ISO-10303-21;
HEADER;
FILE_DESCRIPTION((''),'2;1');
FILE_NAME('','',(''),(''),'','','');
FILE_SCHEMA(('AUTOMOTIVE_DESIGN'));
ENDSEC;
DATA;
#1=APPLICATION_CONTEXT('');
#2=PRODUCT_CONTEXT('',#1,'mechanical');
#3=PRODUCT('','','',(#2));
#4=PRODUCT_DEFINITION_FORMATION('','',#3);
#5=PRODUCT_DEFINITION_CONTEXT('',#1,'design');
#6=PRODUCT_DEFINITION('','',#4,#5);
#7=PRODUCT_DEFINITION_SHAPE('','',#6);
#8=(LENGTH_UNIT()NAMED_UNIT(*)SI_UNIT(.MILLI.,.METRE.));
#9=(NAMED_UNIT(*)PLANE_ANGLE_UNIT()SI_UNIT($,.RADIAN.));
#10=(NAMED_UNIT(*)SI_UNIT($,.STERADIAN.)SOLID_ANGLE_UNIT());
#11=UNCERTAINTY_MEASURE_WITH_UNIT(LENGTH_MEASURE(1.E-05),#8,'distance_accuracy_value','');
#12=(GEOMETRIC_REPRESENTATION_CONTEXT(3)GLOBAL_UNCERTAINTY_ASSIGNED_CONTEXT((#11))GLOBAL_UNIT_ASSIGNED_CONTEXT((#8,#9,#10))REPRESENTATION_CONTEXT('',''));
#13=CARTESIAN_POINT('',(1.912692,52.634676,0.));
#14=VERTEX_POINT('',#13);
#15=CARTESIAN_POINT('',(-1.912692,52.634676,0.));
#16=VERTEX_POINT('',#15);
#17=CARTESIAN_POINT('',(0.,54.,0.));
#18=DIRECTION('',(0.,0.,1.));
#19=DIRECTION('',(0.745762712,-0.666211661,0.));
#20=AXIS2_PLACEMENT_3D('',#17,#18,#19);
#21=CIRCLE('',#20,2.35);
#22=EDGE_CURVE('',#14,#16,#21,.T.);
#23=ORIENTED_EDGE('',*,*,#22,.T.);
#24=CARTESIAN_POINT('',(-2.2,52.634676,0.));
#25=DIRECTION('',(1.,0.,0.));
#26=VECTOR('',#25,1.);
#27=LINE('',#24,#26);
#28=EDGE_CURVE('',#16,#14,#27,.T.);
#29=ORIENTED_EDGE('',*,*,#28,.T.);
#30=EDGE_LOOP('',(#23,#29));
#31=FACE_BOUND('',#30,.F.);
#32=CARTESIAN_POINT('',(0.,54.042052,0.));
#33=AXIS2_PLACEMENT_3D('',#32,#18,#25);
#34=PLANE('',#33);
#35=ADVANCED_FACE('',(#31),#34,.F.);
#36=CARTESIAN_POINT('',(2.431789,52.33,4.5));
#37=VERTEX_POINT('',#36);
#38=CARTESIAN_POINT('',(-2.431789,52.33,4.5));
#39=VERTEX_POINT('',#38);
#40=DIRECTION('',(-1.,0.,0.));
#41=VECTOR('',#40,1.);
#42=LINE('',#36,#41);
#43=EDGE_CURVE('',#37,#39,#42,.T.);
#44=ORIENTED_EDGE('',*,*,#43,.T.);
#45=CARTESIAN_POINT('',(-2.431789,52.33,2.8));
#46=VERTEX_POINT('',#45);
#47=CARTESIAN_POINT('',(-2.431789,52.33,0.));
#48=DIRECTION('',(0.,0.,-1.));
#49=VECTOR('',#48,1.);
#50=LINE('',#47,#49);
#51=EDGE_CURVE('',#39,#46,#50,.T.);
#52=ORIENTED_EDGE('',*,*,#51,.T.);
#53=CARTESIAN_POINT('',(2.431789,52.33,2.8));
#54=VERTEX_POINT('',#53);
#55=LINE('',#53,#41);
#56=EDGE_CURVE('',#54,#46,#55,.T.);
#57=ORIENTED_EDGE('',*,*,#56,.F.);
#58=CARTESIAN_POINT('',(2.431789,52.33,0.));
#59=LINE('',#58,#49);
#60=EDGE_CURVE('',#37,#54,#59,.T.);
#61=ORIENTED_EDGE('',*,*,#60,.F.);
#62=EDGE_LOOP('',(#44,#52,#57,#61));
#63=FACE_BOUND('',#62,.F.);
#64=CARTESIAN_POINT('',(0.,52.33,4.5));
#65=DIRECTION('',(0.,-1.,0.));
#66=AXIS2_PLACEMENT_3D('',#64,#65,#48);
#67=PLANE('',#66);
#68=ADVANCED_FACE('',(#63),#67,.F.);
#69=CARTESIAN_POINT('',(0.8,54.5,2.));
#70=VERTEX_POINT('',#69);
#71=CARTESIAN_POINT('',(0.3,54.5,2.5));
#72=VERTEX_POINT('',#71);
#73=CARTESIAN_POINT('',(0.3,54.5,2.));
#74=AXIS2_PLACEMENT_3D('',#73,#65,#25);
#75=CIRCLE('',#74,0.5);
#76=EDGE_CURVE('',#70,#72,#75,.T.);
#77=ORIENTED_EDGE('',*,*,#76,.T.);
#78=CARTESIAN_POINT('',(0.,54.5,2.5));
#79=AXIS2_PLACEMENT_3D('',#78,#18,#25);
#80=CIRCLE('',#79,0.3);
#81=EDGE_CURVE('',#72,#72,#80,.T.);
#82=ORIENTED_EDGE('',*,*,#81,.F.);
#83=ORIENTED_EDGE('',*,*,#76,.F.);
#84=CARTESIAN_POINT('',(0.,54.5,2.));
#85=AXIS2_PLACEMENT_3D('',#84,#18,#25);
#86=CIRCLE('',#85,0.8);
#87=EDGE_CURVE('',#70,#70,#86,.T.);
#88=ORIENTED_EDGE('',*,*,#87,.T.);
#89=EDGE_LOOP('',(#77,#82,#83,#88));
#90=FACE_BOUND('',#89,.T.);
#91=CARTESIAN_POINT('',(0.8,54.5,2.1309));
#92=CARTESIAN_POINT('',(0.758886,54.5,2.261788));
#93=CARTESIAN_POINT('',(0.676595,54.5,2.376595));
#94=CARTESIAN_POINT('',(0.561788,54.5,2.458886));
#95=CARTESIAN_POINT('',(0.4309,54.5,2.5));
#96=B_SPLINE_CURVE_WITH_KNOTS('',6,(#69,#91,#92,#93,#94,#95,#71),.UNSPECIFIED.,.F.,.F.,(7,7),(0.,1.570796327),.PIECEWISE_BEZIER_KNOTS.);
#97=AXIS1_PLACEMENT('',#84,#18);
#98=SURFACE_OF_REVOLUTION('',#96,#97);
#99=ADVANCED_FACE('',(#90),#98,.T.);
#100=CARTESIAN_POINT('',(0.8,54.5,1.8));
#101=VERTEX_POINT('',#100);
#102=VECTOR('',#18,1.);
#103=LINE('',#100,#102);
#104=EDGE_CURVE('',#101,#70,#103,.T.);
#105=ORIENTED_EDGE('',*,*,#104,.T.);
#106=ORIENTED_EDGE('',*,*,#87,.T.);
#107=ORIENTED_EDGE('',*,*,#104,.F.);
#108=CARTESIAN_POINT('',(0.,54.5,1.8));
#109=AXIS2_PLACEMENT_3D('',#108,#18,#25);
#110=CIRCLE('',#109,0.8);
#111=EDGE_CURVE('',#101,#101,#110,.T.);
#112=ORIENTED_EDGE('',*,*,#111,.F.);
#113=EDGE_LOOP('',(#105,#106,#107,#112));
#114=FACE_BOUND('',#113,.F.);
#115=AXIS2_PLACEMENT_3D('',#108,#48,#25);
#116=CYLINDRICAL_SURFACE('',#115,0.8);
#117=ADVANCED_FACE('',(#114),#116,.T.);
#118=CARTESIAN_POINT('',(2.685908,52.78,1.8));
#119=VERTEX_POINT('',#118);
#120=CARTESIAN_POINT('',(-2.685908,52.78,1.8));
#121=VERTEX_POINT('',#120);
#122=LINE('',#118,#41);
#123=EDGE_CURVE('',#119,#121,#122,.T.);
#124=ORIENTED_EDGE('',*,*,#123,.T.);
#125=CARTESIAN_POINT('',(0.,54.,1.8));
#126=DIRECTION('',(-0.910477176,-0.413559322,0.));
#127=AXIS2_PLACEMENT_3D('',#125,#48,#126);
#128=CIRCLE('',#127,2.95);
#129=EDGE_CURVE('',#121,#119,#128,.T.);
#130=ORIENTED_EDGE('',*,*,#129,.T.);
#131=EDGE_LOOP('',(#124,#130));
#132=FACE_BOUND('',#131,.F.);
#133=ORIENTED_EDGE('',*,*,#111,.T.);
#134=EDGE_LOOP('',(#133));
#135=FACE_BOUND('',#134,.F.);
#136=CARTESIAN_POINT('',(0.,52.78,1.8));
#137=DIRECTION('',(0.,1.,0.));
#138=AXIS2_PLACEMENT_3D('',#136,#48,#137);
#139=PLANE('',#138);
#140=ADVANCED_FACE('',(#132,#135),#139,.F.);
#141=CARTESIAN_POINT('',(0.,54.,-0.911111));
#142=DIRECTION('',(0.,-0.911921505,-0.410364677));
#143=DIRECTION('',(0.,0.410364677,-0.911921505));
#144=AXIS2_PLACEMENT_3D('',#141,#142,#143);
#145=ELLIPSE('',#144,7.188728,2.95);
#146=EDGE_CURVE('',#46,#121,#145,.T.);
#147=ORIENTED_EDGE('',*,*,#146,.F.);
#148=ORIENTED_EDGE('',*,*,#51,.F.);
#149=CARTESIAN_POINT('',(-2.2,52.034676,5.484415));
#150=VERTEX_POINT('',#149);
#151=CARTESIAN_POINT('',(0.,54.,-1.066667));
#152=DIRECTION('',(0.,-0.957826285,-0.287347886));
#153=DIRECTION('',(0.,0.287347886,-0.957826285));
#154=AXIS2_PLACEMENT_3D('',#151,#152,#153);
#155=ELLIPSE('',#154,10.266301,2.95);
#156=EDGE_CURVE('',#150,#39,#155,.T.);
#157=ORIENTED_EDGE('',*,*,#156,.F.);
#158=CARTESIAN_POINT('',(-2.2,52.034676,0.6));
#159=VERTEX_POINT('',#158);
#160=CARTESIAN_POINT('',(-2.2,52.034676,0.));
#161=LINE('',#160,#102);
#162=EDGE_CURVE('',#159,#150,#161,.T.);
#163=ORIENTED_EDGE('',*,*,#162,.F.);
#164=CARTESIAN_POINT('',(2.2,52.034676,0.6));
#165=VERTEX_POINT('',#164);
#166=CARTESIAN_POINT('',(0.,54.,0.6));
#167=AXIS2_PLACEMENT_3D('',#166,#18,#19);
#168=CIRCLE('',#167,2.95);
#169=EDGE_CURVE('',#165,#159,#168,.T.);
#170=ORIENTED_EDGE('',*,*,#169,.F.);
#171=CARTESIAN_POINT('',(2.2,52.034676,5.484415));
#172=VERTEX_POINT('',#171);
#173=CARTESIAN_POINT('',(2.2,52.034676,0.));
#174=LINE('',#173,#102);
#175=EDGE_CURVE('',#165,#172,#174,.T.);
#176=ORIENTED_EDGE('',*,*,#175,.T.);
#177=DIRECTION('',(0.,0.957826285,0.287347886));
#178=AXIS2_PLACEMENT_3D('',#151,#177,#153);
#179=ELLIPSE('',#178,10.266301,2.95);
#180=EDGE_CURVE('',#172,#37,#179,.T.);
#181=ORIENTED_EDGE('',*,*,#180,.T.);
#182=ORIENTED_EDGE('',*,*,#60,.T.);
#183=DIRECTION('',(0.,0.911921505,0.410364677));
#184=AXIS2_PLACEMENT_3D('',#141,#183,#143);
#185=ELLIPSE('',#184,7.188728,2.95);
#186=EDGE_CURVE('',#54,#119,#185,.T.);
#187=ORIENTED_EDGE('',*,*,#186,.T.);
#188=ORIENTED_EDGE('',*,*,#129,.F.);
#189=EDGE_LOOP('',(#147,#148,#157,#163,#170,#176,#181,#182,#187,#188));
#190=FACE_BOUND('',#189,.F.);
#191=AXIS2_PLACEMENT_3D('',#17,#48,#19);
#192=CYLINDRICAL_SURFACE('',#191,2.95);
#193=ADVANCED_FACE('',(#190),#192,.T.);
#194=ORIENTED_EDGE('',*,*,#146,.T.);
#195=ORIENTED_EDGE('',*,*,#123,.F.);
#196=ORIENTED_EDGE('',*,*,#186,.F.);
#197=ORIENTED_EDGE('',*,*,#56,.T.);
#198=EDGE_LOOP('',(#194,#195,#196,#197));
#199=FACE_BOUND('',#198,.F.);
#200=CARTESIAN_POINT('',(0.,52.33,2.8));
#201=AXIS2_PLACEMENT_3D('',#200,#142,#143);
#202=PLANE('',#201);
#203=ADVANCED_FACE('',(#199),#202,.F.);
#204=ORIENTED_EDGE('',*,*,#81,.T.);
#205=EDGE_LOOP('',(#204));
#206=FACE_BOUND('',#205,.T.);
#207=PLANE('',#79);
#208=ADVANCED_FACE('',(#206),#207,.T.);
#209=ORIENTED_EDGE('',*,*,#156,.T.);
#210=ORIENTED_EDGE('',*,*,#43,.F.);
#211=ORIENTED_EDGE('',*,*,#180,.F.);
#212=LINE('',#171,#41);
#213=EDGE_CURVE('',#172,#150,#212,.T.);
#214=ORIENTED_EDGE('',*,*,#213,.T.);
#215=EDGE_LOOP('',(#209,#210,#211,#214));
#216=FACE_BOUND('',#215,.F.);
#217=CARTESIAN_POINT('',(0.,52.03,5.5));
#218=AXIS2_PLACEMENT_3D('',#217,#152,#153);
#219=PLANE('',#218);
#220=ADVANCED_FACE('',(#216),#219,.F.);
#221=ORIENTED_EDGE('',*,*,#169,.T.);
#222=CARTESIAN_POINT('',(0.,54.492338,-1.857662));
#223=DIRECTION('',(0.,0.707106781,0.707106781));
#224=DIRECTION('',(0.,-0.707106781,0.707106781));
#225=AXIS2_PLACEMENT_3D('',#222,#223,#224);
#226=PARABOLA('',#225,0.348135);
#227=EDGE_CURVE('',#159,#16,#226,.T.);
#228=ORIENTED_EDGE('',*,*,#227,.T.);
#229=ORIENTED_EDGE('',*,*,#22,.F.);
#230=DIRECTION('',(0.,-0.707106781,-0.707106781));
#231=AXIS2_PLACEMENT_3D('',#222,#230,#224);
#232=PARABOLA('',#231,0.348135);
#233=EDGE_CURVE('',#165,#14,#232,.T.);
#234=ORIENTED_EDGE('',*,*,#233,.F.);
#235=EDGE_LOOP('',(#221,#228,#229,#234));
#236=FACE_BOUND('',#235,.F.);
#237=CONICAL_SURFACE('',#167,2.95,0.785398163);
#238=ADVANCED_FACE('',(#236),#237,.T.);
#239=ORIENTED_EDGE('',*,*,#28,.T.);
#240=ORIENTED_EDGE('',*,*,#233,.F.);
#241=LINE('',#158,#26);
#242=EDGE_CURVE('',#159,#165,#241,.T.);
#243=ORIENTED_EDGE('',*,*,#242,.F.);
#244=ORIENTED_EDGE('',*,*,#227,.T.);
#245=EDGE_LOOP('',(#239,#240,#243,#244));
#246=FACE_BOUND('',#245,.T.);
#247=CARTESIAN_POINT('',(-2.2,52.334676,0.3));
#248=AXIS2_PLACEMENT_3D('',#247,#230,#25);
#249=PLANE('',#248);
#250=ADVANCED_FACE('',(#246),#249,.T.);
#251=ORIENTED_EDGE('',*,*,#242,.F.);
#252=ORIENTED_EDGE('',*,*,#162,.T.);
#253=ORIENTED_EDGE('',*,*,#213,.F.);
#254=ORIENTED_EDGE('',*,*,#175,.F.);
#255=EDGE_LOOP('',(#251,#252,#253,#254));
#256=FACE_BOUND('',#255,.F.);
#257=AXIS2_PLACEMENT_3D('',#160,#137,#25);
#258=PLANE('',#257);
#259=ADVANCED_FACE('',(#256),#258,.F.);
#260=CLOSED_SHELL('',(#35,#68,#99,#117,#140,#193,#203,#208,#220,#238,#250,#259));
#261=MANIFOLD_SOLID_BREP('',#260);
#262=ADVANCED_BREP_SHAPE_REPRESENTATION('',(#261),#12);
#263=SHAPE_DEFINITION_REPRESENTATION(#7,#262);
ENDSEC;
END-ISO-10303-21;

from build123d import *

# Parameters (mm, degrees)
PAD003_DEPTH         = 5.5
POCKET004_DEPTH      = 2.951
POCKET004_DEPTH_BACK = 2.951
SKETCH013_R          = 0.8
PAD006_DEPTH         = 0.7
FILLET_R             = 0.5
CHAMFER004_SIZE      = 0.6


with BuildPart() as part:
    # Sketch004 → Pad003 (new body)
    with BuildSketch(Plane.XY):
        with BuildLine():
            ThreePointArc((2.2, -1.9653244007), (0, 2.95), (-2.2, -1.9653244007))
            Line((-2.2, -1.9653244007), (2.2, -1.9653244007))
        make_face()
    extrude(amount=PAD003_DEPTH)

    # Sketch014 → Pocket004 (cut, two sides)
    with BuildSketch(Plane.YZ) as pocket004_sk:
        Polygon((-1.97, 5.5), (-1.67, 4.5), (-1.67, 2.8), (-1.22, 1.8), (4, 1.8), (4, 5.5), align=None)
    extrude(amount=-POCKET004_DEPTH, mode=Mode.SUBTRACT)
    extrude(pocket004_sk.sketch, amount=POCKET004_DEPTH_BACK, mode=Mode.SUBTRACT)

    # Sketch013 (on Face7 of Pocket004) → Pad006 (join)
    with BuildSketch(Plane.XY.offset(1.8)):
        with Locations((0, 0.5)):
            Circle(SKETCH013_R)
    extrude(amount=PAD006_DEPTH)

    # Fillet
    fillet_edges = [part.edges().sort_by_distance(p)[0] for p in [
        (-0.8, 0.5, 2.5),
    ]]
    fillet(fillet_edges, radius=FILLET_R)

    # Chamfer004
    chamfer004_edges = [part.edges().sort_by_distance(p)[0] for p in [
        (0, 2.95, 0),
        (0, -1.965324, 0),
    ]]
    chamfer(chamfer004_edges, length=CHAMFER004_SIZE)


with BuildPart() as part_1:
    # Body028 placement: moved
    add(part.part.moved(Location((0, 54, 0))))


solid = part_1.part
